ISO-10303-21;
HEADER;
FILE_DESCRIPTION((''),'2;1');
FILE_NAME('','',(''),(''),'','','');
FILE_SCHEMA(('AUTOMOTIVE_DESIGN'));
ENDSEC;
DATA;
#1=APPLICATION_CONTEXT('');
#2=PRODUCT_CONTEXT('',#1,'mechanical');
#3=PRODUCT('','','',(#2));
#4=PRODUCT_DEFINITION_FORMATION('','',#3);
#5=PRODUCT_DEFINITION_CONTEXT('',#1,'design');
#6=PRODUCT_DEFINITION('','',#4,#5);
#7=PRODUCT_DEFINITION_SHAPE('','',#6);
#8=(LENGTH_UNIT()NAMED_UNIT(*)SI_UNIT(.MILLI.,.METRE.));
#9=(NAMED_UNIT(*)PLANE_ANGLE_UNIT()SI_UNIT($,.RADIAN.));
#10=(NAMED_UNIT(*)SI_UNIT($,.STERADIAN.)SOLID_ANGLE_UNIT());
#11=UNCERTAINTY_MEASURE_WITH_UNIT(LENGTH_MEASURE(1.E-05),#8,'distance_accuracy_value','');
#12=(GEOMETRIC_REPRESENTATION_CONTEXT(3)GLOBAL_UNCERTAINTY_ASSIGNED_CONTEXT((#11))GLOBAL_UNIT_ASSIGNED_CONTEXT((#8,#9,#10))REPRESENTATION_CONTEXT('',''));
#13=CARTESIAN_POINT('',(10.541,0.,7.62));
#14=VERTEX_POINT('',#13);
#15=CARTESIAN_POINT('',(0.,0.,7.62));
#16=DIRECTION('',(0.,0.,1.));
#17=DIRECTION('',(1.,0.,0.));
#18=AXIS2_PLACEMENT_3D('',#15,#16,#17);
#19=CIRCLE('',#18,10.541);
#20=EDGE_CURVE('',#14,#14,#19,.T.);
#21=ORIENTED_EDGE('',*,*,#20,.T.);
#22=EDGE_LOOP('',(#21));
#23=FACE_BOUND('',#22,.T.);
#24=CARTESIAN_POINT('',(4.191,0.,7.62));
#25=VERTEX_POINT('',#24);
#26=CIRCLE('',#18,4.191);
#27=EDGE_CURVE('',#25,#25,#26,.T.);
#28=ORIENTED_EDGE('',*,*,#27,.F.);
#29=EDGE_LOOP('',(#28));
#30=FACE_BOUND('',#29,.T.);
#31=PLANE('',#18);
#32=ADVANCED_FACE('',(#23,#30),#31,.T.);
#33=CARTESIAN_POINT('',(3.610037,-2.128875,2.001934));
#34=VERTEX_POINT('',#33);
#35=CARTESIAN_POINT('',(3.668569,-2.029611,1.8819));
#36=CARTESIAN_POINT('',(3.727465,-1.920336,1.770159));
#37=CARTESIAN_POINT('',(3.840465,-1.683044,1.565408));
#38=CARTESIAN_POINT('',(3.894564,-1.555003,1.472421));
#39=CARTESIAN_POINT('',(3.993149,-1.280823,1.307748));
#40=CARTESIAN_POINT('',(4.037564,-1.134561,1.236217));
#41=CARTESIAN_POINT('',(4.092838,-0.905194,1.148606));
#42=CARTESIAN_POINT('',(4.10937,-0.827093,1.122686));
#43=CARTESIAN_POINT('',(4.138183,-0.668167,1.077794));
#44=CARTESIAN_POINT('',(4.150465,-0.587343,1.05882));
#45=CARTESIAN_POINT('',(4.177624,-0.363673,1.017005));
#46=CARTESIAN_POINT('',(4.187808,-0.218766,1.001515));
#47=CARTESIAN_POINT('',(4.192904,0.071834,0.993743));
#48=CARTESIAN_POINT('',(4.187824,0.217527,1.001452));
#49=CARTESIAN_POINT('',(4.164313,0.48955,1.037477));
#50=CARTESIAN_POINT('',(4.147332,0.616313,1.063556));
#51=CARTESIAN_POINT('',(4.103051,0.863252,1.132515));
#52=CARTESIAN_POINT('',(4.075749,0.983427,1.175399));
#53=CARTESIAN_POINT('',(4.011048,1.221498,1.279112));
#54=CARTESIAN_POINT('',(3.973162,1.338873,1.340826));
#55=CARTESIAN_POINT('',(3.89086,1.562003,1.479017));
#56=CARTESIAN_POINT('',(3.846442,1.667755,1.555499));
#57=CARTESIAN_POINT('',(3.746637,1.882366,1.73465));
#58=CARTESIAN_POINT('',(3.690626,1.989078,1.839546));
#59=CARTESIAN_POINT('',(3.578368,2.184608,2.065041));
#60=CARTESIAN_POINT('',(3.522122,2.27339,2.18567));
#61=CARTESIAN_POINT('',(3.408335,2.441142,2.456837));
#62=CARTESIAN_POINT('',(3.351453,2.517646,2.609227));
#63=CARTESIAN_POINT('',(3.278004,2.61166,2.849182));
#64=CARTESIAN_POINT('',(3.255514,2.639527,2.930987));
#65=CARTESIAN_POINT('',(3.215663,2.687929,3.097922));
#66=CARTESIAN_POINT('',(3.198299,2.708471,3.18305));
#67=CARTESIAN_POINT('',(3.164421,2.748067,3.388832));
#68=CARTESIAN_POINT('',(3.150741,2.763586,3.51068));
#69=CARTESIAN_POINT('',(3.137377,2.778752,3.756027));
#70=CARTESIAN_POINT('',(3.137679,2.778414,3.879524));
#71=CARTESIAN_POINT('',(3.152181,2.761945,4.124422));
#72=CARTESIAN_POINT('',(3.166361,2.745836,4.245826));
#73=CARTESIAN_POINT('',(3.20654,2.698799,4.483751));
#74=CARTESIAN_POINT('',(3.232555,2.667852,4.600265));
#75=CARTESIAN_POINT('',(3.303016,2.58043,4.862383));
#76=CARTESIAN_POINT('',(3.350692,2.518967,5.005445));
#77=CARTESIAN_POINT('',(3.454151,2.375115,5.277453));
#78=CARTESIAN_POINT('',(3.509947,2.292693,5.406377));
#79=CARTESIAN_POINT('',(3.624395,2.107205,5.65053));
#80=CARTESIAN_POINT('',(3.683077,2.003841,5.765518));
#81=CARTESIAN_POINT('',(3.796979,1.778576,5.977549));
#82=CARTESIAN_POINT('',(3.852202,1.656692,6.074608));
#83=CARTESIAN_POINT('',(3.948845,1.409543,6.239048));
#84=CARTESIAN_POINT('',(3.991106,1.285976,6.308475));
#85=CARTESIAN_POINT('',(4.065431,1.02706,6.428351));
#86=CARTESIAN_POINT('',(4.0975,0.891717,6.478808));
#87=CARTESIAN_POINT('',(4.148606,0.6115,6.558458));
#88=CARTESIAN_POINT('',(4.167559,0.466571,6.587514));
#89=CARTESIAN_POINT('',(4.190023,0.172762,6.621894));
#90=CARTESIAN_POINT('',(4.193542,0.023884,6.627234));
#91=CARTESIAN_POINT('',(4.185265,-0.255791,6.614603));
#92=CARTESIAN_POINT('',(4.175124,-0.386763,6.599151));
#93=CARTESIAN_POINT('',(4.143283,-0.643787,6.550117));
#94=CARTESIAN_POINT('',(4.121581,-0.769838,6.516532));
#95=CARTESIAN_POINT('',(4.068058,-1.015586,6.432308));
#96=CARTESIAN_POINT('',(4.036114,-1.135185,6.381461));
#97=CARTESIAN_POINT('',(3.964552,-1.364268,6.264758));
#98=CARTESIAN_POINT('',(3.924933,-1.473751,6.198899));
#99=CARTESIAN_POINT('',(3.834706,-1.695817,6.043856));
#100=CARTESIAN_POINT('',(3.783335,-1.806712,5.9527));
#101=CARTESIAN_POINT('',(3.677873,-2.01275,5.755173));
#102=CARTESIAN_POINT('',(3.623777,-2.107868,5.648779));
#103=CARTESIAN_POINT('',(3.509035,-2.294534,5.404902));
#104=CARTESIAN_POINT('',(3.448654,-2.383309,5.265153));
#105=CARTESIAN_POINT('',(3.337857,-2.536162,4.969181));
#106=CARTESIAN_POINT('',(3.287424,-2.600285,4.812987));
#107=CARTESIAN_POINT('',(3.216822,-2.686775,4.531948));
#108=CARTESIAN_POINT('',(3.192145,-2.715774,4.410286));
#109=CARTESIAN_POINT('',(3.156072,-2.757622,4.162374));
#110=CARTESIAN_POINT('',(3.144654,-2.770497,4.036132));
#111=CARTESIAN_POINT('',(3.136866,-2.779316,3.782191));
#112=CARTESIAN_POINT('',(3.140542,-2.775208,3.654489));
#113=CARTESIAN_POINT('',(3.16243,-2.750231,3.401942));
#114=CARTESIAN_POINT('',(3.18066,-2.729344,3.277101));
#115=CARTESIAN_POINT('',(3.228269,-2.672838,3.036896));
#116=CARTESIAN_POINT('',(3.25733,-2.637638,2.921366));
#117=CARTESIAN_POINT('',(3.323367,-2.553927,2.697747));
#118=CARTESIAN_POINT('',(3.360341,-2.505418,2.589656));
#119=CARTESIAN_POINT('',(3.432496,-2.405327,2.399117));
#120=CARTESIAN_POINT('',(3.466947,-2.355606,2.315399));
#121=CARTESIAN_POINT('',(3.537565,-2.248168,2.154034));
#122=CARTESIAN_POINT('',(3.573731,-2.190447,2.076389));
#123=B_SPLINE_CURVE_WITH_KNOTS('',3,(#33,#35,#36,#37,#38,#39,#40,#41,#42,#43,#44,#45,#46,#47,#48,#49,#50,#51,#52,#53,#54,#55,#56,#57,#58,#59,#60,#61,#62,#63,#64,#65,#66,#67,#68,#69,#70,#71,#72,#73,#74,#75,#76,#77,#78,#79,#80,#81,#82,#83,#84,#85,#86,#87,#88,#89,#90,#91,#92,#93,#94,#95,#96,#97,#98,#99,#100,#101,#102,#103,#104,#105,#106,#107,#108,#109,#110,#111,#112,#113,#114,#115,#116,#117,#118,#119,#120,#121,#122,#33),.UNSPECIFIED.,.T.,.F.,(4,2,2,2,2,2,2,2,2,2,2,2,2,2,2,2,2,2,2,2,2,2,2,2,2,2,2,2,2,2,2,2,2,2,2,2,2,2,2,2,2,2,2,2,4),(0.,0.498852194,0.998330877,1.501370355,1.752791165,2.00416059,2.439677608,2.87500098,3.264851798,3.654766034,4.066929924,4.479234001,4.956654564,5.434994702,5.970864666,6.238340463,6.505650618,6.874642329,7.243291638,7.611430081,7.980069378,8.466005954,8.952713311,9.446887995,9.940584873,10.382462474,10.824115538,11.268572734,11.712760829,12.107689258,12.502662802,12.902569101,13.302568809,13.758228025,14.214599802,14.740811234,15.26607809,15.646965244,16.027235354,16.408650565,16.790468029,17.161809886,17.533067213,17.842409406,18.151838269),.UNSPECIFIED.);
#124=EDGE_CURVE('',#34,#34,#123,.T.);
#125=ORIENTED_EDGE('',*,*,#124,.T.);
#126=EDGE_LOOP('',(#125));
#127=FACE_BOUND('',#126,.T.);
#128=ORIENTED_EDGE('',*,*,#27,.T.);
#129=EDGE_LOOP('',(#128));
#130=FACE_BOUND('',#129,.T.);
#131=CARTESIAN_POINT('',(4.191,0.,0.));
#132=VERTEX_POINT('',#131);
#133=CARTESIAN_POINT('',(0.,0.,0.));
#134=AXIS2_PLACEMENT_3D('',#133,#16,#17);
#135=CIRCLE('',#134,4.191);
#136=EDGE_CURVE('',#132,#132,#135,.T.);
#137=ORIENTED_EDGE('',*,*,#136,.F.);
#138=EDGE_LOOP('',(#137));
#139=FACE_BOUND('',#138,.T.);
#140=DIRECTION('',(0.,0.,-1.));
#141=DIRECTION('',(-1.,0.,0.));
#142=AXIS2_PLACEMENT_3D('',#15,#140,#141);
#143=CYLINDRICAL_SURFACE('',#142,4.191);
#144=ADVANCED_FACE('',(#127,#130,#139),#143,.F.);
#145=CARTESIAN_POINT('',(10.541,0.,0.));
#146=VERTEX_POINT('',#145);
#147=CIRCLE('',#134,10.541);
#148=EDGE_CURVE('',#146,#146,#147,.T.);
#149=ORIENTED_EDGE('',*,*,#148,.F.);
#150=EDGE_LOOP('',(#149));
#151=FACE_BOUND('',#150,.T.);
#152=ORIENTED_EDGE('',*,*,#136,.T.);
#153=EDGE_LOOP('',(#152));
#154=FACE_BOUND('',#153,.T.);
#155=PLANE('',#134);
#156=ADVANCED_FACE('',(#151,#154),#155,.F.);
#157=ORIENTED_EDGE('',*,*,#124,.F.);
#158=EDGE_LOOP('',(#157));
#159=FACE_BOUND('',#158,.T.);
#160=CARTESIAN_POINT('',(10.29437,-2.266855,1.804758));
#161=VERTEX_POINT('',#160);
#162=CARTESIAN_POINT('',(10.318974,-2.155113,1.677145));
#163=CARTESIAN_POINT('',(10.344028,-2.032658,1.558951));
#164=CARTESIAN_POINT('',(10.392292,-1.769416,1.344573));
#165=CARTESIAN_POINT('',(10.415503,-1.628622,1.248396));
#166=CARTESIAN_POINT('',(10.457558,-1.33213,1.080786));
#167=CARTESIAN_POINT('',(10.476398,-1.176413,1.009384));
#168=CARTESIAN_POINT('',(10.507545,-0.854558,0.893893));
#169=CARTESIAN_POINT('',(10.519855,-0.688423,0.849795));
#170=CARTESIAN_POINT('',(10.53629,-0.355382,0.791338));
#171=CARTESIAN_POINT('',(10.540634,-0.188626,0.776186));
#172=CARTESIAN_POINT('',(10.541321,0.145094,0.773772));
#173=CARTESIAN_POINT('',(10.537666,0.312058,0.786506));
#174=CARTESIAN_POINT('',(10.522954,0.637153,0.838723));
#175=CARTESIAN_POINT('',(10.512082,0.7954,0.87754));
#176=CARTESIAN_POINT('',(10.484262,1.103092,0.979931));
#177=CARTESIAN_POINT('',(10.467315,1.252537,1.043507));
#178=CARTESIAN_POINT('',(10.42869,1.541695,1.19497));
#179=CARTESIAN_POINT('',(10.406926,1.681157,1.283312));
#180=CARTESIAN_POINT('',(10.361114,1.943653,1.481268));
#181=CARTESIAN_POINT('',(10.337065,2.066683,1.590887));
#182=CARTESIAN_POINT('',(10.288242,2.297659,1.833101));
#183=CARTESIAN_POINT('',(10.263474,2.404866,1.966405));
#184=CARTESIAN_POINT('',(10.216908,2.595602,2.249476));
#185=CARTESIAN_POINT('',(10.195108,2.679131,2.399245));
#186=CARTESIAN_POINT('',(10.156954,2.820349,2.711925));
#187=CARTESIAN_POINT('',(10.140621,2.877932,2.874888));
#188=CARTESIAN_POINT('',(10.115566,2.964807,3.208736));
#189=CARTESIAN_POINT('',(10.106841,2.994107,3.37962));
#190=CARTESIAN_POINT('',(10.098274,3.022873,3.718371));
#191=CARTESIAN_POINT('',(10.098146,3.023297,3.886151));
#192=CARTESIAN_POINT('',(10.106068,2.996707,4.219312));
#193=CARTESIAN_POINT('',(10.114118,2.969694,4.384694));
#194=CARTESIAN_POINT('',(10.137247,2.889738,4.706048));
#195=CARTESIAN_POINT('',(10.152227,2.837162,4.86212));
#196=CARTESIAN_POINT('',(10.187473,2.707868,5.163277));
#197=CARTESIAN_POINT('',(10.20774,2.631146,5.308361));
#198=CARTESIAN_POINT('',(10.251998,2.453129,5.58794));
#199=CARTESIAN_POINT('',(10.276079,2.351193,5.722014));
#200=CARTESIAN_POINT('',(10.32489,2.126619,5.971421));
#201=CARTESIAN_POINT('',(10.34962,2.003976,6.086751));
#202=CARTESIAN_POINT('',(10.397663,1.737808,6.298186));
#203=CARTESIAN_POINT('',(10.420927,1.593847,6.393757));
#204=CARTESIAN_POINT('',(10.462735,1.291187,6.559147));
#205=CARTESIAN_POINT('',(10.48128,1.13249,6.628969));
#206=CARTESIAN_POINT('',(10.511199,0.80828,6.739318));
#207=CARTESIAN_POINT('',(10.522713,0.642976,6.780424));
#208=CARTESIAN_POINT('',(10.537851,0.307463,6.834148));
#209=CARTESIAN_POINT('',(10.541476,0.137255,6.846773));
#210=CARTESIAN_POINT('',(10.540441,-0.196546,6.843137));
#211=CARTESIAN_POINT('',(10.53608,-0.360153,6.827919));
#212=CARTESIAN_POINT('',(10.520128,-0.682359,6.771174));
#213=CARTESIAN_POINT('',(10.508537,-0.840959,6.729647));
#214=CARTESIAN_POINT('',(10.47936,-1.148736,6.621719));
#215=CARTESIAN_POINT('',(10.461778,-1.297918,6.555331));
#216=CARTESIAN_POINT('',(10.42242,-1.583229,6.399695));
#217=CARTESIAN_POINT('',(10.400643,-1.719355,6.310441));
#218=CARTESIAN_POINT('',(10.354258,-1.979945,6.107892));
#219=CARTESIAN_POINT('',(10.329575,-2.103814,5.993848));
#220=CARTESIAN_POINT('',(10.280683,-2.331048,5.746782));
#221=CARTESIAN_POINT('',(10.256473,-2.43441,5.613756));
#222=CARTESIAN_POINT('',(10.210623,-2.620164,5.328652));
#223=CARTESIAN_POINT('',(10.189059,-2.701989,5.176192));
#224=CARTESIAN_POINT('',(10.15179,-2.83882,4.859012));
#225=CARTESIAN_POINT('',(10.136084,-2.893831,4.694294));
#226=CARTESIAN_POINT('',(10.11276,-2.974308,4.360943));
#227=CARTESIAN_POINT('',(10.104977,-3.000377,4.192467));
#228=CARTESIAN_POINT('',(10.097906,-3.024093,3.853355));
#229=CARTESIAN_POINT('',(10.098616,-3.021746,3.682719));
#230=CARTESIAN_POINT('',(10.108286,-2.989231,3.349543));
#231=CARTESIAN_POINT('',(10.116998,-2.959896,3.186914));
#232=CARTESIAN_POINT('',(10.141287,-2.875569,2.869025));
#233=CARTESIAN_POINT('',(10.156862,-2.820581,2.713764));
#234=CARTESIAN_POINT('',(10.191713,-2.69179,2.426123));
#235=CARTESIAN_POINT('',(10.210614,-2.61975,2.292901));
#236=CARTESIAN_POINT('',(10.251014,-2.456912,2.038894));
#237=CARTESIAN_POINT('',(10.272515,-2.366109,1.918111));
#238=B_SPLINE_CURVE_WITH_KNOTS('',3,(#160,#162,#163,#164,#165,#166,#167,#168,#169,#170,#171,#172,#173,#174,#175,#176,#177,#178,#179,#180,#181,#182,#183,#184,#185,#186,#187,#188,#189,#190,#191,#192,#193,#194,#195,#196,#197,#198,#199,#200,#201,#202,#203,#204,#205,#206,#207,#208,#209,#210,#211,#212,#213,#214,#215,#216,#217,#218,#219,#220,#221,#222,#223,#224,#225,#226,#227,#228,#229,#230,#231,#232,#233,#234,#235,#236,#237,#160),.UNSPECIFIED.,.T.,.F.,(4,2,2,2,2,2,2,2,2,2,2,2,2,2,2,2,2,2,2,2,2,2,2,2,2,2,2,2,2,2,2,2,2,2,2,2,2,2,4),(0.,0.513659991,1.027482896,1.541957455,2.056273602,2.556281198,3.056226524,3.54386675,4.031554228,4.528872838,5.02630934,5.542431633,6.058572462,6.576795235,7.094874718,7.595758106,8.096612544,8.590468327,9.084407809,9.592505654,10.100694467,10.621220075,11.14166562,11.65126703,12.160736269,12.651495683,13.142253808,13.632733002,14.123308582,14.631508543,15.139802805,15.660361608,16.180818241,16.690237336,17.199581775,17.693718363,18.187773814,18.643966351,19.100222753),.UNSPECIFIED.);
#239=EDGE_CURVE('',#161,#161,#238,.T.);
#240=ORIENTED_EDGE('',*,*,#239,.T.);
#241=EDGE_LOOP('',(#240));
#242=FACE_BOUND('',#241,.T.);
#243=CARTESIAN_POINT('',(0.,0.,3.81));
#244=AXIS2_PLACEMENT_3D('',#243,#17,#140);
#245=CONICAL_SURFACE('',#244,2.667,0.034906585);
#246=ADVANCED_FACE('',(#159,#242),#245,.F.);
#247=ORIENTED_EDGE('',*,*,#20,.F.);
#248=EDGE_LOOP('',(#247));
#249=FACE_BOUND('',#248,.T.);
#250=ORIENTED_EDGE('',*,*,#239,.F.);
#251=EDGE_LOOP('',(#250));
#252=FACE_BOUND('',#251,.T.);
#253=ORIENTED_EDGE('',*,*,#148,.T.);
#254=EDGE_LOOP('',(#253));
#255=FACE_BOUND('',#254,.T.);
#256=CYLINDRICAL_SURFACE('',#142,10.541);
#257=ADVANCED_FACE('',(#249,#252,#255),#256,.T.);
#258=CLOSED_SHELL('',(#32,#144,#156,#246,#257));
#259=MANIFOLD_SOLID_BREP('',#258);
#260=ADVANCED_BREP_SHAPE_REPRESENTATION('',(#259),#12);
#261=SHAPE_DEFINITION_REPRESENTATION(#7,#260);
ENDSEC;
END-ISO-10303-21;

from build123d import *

# Parameters (mm, degrees)
SKETCH1_R           = 10.541
SKETCH1_R_2         = 4.191
BOSS_EXTRUDE1_DEPTH = 7.62
SKETCH2_R           = 2.667
CUT_EXTRUDE1_DEPTH  = 11.541
CUT_EXTRUDE1_TAPER  = -2


with BuildPart() as part:
    # Sketch1 → Boss-Extrude1 (new body)
    with BuildSketch(Plane.XY):
        Circle(SKETCH1_R)
        Circle(SKETCH1_R_2, mode=Mode.SUBTRACT)
    extrude(amount=BOSS_EXTRUDE1_DEPTH)

    # Sketch2 → Cut-Extrude1 (cut, through all)
    with BuildSketch(Plane(origin=(0, 0, 0), x_dir=(0, 0, -1), z_dir=(1, 0, 0))):
        with Locations((-3.81, 0)):
            Circle(SKETCH2_R)
    extrude(amount=CUT_EXTRUDE1_DEPTH, taper=CUT_EXTRUDE1_TAPER, mode=Mode.SUBTRACT)


solid = part.part
